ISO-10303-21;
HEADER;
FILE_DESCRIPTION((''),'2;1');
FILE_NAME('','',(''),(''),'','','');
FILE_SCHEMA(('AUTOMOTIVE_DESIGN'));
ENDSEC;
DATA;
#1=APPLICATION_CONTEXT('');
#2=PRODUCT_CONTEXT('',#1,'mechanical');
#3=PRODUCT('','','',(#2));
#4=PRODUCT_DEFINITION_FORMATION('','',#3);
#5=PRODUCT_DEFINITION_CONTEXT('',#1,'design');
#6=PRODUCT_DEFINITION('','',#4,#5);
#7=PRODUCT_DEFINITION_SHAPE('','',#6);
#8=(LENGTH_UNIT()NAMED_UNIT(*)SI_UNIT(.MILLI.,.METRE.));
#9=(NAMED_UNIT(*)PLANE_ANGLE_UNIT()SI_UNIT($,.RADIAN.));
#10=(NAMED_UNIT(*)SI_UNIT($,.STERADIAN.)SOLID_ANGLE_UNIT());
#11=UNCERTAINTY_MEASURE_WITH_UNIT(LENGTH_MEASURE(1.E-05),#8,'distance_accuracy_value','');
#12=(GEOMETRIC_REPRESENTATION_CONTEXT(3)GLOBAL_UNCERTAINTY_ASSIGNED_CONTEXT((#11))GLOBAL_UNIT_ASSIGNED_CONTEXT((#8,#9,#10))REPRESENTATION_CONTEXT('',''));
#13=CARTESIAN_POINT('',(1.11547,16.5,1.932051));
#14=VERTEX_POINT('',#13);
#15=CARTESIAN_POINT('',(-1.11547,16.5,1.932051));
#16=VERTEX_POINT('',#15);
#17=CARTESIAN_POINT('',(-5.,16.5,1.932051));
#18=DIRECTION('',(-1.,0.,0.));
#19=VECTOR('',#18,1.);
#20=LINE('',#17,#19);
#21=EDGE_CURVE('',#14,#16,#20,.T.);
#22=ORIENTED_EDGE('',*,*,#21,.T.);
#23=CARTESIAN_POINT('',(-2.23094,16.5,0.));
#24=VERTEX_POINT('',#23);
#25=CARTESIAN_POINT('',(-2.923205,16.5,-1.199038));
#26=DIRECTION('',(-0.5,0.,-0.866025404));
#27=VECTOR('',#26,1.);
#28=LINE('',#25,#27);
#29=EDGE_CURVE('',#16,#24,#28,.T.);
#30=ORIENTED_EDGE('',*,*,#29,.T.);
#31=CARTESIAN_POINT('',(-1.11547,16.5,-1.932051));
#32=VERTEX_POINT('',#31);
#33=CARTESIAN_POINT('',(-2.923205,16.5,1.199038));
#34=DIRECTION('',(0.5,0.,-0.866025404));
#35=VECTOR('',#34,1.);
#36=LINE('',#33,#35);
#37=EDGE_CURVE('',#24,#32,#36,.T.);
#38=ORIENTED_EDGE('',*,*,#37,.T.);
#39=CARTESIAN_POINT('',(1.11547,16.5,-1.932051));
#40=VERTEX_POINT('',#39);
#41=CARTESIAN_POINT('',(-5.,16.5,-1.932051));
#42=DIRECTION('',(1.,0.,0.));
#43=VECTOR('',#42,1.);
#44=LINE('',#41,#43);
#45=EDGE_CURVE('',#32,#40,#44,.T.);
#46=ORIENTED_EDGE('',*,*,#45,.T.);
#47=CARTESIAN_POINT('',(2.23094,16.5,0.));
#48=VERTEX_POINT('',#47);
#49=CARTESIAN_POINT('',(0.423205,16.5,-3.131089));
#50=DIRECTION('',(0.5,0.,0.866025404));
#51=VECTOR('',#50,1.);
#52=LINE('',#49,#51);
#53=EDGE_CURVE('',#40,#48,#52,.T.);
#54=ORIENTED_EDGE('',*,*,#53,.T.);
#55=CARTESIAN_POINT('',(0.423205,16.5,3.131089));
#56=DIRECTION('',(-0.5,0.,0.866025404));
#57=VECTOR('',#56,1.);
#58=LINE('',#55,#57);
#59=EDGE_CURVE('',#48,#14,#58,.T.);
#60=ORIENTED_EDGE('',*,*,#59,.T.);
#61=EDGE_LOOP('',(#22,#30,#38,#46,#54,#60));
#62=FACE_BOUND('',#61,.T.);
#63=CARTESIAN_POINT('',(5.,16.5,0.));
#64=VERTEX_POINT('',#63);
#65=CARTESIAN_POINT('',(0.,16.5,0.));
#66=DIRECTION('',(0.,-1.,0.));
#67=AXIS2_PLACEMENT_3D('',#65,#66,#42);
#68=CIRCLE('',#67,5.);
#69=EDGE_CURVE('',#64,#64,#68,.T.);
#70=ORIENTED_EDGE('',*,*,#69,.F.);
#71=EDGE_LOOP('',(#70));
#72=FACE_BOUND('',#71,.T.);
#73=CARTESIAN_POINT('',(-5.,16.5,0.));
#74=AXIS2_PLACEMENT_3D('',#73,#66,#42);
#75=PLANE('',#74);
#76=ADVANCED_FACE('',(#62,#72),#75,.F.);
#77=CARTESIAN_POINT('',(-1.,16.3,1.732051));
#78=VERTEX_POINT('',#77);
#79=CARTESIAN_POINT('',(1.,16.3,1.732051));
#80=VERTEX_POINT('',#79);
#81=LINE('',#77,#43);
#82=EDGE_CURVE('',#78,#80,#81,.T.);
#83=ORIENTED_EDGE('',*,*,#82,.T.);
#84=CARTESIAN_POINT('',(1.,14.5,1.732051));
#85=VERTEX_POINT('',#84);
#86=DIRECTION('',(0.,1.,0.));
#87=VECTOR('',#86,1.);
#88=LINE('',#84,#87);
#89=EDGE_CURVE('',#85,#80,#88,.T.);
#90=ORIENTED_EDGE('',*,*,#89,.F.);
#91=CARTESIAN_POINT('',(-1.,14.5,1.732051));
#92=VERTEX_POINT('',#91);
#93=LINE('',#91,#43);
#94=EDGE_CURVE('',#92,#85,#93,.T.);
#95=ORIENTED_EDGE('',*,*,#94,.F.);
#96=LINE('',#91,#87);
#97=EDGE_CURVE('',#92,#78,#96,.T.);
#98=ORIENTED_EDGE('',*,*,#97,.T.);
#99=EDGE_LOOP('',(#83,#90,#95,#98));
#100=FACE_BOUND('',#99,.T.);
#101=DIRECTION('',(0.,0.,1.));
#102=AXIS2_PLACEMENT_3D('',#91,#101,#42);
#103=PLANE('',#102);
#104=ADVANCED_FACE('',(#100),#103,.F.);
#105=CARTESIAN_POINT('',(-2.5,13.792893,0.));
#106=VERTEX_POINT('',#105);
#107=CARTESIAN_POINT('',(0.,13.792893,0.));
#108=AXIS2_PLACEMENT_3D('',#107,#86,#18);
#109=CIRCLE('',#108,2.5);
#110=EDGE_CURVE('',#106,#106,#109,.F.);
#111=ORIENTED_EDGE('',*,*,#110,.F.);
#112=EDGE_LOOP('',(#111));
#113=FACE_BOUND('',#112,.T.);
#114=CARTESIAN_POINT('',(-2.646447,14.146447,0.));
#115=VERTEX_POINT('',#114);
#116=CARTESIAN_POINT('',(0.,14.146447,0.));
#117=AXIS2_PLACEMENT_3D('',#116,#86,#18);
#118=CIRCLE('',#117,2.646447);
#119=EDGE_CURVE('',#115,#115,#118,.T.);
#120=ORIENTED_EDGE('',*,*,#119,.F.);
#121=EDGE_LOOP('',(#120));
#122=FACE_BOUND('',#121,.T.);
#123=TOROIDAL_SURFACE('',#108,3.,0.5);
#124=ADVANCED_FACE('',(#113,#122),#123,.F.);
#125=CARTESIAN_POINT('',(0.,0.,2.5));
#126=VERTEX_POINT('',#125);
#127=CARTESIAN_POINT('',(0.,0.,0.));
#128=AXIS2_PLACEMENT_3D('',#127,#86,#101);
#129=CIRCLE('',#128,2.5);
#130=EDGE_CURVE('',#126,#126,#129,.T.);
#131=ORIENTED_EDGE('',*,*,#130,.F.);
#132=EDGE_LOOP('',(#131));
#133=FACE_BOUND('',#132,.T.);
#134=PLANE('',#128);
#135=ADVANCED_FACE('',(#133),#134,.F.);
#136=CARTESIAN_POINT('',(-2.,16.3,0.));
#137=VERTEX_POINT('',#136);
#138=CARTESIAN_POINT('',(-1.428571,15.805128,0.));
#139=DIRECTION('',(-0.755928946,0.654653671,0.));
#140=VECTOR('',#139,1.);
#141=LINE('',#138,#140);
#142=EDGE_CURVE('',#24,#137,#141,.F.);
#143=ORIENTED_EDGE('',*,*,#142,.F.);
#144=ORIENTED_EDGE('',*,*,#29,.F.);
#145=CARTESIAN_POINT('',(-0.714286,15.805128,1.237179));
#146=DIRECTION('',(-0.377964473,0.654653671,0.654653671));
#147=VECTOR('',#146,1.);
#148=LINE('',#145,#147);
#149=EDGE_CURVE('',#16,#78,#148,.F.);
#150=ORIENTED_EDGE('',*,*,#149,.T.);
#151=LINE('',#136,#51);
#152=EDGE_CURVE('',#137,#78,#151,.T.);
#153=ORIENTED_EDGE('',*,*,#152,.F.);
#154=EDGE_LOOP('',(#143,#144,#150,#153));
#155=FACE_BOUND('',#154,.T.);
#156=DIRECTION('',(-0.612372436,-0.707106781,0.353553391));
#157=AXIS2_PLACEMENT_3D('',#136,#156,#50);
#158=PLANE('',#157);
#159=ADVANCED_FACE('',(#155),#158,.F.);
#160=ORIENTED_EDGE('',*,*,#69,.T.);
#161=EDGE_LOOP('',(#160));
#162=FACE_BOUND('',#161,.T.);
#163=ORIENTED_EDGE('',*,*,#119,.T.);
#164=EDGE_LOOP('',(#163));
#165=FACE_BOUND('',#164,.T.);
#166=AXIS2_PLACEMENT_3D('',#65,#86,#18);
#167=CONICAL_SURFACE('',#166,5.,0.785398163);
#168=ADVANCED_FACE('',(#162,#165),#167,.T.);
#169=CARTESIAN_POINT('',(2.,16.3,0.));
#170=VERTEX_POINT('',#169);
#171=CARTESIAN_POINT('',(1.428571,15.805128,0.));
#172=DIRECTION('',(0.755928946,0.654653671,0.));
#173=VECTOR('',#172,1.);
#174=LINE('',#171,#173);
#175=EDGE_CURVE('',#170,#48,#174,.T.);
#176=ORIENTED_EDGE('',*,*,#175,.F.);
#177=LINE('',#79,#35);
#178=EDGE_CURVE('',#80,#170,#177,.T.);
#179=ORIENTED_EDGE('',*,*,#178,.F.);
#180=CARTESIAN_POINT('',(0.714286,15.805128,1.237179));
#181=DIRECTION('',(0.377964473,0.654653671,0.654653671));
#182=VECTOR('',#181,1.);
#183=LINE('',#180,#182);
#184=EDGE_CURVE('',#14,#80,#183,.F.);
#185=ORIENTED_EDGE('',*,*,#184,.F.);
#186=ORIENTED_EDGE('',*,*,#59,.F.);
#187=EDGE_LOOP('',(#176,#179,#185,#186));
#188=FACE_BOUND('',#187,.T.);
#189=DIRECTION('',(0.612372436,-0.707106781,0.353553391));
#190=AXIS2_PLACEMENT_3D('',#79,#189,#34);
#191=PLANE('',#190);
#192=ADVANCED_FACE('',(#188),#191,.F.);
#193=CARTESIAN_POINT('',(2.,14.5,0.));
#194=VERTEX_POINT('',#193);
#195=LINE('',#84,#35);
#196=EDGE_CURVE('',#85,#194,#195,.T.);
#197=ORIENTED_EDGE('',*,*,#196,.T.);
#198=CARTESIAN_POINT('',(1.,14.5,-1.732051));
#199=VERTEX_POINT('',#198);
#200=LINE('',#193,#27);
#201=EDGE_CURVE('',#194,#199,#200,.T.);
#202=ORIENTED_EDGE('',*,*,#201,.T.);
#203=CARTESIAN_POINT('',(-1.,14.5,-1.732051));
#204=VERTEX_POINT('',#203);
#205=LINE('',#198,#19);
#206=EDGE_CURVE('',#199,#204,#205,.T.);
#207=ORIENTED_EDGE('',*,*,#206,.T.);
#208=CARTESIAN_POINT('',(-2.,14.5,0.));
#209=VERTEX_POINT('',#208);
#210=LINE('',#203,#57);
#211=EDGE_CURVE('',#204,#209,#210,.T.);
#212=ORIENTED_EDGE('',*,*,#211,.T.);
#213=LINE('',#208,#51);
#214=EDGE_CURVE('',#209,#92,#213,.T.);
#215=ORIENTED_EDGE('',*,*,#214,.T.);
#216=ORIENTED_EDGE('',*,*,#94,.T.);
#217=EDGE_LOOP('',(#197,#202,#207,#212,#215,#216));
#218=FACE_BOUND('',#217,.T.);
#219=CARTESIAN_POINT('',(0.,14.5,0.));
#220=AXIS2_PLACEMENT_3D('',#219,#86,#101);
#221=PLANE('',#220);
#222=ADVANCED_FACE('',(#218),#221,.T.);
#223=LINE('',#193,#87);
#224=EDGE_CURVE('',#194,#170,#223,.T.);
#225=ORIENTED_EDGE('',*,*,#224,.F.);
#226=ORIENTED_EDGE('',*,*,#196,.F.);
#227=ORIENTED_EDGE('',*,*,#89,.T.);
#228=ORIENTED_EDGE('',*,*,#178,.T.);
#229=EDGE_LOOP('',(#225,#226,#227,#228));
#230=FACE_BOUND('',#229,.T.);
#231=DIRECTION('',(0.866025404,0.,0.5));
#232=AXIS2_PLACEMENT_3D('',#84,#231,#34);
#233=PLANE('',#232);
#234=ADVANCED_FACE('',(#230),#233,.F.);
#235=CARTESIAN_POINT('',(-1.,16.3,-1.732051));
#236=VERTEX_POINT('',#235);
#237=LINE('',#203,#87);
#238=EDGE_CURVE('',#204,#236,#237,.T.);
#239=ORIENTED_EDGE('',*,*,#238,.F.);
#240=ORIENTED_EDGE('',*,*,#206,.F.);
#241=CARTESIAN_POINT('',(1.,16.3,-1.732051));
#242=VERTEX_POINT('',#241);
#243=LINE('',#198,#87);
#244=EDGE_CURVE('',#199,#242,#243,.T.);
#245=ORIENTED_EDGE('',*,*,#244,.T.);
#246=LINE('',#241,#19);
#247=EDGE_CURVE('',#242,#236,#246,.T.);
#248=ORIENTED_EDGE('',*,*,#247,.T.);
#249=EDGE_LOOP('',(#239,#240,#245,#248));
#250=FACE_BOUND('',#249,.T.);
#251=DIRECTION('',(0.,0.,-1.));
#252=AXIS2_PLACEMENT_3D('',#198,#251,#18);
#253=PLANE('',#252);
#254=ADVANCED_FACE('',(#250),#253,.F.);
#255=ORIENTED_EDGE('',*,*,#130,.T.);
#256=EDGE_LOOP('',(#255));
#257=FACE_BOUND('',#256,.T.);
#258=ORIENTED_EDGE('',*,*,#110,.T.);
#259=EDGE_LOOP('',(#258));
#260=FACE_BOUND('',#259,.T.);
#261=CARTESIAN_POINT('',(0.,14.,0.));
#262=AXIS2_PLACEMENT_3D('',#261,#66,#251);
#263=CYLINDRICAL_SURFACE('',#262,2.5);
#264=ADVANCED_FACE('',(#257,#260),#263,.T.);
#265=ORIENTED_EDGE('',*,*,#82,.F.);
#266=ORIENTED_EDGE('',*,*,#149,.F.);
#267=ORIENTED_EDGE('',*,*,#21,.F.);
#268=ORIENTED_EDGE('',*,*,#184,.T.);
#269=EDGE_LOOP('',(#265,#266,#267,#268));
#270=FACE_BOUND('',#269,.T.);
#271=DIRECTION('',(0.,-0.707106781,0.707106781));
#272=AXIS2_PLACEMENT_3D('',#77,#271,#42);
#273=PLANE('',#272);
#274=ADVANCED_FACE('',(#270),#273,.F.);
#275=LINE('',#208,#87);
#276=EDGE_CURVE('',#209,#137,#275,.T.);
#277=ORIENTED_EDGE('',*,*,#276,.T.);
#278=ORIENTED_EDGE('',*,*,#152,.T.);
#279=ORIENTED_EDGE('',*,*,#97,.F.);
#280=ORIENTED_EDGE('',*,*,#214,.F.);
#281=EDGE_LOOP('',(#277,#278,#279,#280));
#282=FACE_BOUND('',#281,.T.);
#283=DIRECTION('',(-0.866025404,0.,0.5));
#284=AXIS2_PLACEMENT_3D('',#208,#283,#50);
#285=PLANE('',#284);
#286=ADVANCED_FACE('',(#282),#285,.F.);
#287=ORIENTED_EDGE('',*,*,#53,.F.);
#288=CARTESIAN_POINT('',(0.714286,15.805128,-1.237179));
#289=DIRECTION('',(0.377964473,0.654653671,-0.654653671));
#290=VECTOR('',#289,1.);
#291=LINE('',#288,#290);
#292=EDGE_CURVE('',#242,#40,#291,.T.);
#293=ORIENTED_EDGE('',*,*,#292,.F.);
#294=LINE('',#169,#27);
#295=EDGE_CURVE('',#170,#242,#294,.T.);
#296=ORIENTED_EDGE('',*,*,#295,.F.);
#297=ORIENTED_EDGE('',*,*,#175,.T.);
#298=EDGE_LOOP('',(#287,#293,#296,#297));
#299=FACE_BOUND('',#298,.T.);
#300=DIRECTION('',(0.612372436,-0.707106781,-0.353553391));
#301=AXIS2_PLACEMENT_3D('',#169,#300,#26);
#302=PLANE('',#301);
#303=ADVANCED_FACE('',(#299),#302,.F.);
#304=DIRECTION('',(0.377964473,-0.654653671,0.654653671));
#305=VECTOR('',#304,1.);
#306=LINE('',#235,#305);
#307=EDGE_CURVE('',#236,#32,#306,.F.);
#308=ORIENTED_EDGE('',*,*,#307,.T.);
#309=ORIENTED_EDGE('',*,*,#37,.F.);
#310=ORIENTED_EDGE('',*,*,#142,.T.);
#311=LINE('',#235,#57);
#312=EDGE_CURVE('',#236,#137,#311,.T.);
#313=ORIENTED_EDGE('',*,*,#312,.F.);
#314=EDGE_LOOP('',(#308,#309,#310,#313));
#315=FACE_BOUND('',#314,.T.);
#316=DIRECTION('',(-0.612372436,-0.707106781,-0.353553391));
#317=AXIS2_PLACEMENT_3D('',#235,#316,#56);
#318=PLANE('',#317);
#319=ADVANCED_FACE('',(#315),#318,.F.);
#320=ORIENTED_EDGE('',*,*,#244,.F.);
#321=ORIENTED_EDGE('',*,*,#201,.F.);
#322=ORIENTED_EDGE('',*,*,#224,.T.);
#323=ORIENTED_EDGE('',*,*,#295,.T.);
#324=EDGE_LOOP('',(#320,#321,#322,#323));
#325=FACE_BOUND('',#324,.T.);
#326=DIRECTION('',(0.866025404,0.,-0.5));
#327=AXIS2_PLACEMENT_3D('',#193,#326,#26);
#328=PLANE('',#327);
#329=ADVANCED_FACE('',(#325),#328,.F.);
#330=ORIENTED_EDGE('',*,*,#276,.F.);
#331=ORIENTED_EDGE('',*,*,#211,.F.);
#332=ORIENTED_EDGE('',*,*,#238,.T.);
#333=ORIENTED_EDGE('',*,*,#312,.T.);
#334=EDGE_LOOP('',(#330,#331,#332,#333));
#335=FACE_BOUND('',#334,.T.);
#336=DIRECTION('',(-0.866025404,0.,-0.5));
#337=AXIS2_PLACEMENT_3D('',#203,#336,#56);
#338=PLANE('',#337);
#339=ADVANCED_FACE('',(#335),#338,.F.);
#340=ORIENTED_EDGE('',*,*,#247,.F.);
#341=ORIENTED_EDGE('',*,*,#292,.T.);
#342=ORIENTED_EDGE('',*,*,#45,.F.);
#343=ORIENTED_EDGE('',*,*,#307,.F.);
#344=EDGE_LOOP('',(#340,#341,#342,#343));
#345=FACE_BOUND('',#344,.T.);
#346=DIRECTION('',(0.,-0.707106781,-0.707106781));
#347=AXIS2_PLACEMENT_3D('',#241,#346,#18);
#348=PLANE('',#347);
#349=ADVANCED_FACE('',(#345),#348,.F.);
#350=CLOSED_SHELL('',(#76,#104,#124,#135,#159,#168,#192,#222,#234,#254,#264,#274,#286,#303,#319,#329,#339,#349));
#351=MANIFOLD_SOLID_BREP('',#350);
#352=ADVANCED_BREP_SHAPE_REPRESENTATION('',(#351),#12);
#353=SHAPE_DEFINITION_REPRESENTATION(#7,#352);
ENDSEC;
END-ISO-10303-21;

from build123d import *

# Parameters (mm, degrees)
SKETCH1_R           = 2.5
BOSS_EXTRUDE1_DEPTH = 14
CUT_EXTRUDE1_DEPTH  = 2
CHAMFER1_SIZE       = 0.2
FILLET1_R           = 0.5


with BuildPart() as part:
    # Sketch1 → Boss-Extrude1 (new body)
    with BuildSketch(Plane(origin=(0, 0, 0), x_dir=(1, 0, 0), z_dir=(0, 1, 0))):
        with Locations(Location((0, 0, 0), (0, 0, 270))):
            Circle(SKETCH1_R)
    extrude(amount=BOSS_EXTRUDE1_DEPTH)

    # Sketch2 → Revolve1 (revolve)
    with BuildSketch(Plane.XY, mode=Mode.PRIVATE) as revolve1_sk:
        Polygon((-5, 16.5), (-2.5, 14), (0, 14), (0, 16.5), align=None)
    revolve(revolve1_sk.sketch.rotate(Axis((0, 14, 0), (0, 1, 0)), 90), axis=Axis((0, 14, 0), (0, 1, 0)))

    # Sketch3 → Cut-Extrude1 (cut)
    with BuildSketch(Plane(origin=(0, 16.5, 0), x_dir=(1, 0, 0), z_dir=(0, 1, 0))):
        Polygon((2, 0), (1, 1.732050808), (-1, 1.732050808), (-2, 0), (-1, -1.732050808), (1, -1.732050808), align=None)
    extrude(amount=-CUT_EXTRUDE1_DEPTH, mode=Mode.SUBTRACT)

    # Chamfer1
    chamfer1_edges = [part.edges().sort_by_distance(p)[0] for p in [
        (1.5, 16.5, 0.866025404),
        (1.5, 16.5, -0.866025404),
        (0, 16.5, -1.732050808),
        (-1.5, 16.5, -0.866025404),
        (-1.5, 16.5, 0.866025404),
        (0, 16.5, 1.732050808),
    ]]
    chamfer(chamfer1_edges, length=CHAMFER1_SIZE)

    # Fillet1
    fillet1_edges = [part.edges().sort_by_distance(p)[0] for p in [
        (0, 14, -2.5),
    ]]
    fillet(fillet1_edges, radius=FILLET1_R)


solid = part.part
